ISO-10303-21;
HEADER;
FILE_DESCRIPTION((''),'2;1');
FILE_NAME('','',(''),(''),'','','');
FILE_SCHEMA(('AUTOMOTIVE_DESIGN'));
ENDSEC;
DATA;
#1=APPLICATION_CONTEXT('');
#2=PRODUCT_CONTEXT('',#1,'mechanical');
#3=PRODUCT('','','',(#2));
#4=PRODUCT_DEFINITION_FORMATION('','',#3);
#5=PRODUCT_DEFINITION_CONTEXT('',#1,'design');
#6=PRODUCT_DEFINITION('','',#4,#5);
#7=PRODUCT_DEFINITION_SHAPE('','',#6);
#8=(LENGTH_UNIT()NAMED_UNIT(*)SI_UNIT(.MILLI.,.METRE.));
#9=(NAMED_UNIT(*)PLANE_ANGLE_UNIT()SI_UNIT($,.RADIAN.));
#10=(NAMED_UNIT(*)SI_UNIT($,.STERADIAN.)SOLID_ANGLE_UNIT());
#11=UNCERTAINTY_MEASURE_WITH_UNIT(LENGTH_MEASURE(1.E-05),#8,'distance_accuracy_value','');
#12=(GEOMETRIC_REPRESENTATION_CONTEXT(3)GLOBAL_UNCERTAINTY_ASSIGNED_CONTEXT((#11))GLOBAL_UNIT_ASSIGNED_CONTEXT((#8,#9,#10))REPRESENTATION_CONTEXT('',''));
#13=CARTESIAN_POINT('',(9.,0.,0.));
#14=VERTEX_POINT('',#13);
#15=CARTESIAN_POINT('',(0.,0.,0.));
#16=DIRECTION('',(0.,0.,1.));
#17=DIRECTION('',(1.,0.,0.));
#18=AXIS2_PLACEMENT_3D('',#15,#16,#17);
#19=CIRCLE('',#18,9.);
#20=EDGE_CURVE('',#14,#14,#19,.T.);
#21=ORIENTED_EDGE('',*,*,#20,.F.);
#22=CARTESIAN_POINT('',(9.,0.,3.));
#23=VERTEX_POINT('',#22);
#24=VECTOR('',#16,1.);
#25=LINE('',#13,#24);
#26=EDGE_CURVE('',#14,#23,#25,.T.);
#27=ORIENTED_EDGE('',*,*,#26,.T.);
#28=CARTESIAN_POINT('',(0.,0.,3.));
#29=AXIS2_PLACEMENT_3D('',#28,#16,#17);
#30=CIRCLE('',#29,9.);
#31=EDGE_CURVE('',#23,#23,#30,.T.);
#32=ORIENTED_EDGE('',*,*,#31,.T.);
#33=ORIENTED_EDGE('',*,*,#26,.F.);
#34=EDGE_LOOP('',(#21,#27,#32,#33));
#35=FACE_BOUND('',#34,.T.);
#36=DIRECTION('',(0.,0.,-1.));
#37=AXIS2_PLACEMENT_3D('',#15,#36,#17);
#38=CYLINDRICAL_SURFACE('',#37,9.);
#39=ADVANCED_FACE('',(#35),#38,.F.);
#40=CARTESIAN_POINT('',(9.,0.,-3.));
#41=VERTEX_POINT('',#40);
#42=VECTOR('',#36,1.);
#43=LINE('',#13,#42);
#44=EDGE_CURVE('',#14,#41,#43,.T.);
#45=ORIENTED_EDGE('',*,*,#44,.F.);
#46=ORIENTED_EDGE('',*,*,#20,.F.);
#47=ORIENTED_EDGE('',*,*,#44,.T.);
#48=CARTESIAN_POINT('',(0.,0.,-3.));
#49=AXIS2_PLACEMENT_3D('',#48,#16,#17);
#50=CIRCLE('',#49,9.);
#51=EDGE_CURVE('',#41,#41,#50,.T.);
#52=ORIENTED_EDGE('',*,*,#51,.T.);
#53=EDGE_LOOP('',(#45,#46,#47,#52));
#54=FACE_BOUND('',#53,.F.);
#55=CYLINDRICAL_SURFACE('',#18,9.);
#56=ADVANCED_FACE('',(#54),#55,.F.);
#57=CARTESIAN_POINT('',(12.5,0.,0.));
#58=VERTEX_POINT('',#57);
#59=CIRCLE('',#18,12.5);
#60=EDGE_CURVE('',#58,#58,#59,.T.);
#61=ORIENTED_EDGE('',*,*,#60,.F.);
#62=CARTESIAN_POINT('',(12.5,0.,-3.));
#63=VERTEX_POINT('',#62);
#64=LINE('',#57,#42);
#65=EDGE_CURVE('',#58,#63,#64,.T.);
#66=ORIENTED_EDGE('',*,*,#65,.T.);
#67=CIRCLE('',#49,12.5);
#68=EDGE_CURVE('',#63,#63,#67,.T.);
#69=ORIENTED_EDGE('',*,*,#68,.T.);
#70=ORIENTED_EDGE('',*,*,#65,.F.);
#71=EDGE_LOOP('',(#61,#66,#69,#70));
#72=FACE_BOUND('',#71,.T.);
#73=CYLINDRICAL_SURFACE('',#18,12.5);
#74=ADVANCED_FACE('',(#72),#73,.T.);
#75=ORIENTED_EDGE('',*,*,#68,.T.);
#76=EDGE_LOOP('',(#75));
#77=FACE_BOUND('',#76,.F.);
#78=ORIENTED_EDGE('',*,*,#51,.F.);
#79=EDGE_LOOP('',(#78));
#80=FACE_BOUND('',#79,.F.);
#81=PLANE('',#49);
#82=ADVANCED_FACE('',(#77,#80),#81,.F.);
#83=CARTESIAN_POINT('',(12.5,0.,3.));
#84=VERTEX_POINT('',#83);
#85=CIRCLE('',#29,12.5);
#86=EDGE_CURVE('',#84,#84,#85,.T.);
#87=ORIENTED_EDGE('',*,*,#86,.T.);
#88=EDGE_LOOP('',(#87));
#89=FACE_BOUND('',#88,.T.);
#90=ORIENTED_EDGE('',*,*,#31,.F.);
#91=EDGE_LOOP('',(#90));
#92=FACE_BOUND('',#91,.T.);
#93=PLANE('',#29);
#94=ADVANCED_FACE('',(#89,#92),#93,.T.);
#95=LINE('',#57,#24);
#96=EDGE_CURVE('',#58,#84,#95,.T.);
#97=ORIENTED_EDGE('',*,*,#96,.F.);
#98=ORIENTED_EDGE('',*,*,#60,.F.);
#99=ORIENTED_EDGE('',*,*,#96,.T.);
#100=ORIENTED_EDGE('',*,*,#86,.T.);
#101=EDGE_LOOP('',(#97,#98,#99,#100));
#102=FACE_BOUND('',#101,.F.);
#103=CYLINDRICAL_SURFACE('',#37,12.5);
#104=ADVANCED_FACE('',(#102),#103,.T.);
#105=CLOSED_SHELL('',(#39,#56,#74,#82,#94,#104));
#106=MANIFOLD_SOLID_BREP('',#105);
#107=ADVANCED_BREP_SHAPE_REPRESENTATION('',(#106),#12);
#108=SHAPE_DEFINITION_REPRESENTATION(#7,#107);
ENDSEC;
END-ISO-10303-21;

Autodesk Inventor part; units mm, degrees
ref_plane "YZ Plane" through (0, 0, 0) normal (1, 0, 0) x (0, 1, 0)
ref_plane "XZ Plane" through (0, 0, 0) normal (0, 1, 0) x (-1, 0, 0)
ref_plane "XY Plane" through (0, 0, 0) normal (0, 0, 1) x (1, 0, 0)
sketch "Sketch4" plane through (0, 0, 0) normal (0, 0, 1) x (1, 0, 0)
  circle A0 centre (0, 0) radius 9
  circle A1 centre (0, 0) radius 12.5
  dimension "d9" = 18
  dimension "d10" = 25
extrude "Extrusion4" add sketch "Sketch4" along normal mid plane 6
properties part number "FoilCoil3"
